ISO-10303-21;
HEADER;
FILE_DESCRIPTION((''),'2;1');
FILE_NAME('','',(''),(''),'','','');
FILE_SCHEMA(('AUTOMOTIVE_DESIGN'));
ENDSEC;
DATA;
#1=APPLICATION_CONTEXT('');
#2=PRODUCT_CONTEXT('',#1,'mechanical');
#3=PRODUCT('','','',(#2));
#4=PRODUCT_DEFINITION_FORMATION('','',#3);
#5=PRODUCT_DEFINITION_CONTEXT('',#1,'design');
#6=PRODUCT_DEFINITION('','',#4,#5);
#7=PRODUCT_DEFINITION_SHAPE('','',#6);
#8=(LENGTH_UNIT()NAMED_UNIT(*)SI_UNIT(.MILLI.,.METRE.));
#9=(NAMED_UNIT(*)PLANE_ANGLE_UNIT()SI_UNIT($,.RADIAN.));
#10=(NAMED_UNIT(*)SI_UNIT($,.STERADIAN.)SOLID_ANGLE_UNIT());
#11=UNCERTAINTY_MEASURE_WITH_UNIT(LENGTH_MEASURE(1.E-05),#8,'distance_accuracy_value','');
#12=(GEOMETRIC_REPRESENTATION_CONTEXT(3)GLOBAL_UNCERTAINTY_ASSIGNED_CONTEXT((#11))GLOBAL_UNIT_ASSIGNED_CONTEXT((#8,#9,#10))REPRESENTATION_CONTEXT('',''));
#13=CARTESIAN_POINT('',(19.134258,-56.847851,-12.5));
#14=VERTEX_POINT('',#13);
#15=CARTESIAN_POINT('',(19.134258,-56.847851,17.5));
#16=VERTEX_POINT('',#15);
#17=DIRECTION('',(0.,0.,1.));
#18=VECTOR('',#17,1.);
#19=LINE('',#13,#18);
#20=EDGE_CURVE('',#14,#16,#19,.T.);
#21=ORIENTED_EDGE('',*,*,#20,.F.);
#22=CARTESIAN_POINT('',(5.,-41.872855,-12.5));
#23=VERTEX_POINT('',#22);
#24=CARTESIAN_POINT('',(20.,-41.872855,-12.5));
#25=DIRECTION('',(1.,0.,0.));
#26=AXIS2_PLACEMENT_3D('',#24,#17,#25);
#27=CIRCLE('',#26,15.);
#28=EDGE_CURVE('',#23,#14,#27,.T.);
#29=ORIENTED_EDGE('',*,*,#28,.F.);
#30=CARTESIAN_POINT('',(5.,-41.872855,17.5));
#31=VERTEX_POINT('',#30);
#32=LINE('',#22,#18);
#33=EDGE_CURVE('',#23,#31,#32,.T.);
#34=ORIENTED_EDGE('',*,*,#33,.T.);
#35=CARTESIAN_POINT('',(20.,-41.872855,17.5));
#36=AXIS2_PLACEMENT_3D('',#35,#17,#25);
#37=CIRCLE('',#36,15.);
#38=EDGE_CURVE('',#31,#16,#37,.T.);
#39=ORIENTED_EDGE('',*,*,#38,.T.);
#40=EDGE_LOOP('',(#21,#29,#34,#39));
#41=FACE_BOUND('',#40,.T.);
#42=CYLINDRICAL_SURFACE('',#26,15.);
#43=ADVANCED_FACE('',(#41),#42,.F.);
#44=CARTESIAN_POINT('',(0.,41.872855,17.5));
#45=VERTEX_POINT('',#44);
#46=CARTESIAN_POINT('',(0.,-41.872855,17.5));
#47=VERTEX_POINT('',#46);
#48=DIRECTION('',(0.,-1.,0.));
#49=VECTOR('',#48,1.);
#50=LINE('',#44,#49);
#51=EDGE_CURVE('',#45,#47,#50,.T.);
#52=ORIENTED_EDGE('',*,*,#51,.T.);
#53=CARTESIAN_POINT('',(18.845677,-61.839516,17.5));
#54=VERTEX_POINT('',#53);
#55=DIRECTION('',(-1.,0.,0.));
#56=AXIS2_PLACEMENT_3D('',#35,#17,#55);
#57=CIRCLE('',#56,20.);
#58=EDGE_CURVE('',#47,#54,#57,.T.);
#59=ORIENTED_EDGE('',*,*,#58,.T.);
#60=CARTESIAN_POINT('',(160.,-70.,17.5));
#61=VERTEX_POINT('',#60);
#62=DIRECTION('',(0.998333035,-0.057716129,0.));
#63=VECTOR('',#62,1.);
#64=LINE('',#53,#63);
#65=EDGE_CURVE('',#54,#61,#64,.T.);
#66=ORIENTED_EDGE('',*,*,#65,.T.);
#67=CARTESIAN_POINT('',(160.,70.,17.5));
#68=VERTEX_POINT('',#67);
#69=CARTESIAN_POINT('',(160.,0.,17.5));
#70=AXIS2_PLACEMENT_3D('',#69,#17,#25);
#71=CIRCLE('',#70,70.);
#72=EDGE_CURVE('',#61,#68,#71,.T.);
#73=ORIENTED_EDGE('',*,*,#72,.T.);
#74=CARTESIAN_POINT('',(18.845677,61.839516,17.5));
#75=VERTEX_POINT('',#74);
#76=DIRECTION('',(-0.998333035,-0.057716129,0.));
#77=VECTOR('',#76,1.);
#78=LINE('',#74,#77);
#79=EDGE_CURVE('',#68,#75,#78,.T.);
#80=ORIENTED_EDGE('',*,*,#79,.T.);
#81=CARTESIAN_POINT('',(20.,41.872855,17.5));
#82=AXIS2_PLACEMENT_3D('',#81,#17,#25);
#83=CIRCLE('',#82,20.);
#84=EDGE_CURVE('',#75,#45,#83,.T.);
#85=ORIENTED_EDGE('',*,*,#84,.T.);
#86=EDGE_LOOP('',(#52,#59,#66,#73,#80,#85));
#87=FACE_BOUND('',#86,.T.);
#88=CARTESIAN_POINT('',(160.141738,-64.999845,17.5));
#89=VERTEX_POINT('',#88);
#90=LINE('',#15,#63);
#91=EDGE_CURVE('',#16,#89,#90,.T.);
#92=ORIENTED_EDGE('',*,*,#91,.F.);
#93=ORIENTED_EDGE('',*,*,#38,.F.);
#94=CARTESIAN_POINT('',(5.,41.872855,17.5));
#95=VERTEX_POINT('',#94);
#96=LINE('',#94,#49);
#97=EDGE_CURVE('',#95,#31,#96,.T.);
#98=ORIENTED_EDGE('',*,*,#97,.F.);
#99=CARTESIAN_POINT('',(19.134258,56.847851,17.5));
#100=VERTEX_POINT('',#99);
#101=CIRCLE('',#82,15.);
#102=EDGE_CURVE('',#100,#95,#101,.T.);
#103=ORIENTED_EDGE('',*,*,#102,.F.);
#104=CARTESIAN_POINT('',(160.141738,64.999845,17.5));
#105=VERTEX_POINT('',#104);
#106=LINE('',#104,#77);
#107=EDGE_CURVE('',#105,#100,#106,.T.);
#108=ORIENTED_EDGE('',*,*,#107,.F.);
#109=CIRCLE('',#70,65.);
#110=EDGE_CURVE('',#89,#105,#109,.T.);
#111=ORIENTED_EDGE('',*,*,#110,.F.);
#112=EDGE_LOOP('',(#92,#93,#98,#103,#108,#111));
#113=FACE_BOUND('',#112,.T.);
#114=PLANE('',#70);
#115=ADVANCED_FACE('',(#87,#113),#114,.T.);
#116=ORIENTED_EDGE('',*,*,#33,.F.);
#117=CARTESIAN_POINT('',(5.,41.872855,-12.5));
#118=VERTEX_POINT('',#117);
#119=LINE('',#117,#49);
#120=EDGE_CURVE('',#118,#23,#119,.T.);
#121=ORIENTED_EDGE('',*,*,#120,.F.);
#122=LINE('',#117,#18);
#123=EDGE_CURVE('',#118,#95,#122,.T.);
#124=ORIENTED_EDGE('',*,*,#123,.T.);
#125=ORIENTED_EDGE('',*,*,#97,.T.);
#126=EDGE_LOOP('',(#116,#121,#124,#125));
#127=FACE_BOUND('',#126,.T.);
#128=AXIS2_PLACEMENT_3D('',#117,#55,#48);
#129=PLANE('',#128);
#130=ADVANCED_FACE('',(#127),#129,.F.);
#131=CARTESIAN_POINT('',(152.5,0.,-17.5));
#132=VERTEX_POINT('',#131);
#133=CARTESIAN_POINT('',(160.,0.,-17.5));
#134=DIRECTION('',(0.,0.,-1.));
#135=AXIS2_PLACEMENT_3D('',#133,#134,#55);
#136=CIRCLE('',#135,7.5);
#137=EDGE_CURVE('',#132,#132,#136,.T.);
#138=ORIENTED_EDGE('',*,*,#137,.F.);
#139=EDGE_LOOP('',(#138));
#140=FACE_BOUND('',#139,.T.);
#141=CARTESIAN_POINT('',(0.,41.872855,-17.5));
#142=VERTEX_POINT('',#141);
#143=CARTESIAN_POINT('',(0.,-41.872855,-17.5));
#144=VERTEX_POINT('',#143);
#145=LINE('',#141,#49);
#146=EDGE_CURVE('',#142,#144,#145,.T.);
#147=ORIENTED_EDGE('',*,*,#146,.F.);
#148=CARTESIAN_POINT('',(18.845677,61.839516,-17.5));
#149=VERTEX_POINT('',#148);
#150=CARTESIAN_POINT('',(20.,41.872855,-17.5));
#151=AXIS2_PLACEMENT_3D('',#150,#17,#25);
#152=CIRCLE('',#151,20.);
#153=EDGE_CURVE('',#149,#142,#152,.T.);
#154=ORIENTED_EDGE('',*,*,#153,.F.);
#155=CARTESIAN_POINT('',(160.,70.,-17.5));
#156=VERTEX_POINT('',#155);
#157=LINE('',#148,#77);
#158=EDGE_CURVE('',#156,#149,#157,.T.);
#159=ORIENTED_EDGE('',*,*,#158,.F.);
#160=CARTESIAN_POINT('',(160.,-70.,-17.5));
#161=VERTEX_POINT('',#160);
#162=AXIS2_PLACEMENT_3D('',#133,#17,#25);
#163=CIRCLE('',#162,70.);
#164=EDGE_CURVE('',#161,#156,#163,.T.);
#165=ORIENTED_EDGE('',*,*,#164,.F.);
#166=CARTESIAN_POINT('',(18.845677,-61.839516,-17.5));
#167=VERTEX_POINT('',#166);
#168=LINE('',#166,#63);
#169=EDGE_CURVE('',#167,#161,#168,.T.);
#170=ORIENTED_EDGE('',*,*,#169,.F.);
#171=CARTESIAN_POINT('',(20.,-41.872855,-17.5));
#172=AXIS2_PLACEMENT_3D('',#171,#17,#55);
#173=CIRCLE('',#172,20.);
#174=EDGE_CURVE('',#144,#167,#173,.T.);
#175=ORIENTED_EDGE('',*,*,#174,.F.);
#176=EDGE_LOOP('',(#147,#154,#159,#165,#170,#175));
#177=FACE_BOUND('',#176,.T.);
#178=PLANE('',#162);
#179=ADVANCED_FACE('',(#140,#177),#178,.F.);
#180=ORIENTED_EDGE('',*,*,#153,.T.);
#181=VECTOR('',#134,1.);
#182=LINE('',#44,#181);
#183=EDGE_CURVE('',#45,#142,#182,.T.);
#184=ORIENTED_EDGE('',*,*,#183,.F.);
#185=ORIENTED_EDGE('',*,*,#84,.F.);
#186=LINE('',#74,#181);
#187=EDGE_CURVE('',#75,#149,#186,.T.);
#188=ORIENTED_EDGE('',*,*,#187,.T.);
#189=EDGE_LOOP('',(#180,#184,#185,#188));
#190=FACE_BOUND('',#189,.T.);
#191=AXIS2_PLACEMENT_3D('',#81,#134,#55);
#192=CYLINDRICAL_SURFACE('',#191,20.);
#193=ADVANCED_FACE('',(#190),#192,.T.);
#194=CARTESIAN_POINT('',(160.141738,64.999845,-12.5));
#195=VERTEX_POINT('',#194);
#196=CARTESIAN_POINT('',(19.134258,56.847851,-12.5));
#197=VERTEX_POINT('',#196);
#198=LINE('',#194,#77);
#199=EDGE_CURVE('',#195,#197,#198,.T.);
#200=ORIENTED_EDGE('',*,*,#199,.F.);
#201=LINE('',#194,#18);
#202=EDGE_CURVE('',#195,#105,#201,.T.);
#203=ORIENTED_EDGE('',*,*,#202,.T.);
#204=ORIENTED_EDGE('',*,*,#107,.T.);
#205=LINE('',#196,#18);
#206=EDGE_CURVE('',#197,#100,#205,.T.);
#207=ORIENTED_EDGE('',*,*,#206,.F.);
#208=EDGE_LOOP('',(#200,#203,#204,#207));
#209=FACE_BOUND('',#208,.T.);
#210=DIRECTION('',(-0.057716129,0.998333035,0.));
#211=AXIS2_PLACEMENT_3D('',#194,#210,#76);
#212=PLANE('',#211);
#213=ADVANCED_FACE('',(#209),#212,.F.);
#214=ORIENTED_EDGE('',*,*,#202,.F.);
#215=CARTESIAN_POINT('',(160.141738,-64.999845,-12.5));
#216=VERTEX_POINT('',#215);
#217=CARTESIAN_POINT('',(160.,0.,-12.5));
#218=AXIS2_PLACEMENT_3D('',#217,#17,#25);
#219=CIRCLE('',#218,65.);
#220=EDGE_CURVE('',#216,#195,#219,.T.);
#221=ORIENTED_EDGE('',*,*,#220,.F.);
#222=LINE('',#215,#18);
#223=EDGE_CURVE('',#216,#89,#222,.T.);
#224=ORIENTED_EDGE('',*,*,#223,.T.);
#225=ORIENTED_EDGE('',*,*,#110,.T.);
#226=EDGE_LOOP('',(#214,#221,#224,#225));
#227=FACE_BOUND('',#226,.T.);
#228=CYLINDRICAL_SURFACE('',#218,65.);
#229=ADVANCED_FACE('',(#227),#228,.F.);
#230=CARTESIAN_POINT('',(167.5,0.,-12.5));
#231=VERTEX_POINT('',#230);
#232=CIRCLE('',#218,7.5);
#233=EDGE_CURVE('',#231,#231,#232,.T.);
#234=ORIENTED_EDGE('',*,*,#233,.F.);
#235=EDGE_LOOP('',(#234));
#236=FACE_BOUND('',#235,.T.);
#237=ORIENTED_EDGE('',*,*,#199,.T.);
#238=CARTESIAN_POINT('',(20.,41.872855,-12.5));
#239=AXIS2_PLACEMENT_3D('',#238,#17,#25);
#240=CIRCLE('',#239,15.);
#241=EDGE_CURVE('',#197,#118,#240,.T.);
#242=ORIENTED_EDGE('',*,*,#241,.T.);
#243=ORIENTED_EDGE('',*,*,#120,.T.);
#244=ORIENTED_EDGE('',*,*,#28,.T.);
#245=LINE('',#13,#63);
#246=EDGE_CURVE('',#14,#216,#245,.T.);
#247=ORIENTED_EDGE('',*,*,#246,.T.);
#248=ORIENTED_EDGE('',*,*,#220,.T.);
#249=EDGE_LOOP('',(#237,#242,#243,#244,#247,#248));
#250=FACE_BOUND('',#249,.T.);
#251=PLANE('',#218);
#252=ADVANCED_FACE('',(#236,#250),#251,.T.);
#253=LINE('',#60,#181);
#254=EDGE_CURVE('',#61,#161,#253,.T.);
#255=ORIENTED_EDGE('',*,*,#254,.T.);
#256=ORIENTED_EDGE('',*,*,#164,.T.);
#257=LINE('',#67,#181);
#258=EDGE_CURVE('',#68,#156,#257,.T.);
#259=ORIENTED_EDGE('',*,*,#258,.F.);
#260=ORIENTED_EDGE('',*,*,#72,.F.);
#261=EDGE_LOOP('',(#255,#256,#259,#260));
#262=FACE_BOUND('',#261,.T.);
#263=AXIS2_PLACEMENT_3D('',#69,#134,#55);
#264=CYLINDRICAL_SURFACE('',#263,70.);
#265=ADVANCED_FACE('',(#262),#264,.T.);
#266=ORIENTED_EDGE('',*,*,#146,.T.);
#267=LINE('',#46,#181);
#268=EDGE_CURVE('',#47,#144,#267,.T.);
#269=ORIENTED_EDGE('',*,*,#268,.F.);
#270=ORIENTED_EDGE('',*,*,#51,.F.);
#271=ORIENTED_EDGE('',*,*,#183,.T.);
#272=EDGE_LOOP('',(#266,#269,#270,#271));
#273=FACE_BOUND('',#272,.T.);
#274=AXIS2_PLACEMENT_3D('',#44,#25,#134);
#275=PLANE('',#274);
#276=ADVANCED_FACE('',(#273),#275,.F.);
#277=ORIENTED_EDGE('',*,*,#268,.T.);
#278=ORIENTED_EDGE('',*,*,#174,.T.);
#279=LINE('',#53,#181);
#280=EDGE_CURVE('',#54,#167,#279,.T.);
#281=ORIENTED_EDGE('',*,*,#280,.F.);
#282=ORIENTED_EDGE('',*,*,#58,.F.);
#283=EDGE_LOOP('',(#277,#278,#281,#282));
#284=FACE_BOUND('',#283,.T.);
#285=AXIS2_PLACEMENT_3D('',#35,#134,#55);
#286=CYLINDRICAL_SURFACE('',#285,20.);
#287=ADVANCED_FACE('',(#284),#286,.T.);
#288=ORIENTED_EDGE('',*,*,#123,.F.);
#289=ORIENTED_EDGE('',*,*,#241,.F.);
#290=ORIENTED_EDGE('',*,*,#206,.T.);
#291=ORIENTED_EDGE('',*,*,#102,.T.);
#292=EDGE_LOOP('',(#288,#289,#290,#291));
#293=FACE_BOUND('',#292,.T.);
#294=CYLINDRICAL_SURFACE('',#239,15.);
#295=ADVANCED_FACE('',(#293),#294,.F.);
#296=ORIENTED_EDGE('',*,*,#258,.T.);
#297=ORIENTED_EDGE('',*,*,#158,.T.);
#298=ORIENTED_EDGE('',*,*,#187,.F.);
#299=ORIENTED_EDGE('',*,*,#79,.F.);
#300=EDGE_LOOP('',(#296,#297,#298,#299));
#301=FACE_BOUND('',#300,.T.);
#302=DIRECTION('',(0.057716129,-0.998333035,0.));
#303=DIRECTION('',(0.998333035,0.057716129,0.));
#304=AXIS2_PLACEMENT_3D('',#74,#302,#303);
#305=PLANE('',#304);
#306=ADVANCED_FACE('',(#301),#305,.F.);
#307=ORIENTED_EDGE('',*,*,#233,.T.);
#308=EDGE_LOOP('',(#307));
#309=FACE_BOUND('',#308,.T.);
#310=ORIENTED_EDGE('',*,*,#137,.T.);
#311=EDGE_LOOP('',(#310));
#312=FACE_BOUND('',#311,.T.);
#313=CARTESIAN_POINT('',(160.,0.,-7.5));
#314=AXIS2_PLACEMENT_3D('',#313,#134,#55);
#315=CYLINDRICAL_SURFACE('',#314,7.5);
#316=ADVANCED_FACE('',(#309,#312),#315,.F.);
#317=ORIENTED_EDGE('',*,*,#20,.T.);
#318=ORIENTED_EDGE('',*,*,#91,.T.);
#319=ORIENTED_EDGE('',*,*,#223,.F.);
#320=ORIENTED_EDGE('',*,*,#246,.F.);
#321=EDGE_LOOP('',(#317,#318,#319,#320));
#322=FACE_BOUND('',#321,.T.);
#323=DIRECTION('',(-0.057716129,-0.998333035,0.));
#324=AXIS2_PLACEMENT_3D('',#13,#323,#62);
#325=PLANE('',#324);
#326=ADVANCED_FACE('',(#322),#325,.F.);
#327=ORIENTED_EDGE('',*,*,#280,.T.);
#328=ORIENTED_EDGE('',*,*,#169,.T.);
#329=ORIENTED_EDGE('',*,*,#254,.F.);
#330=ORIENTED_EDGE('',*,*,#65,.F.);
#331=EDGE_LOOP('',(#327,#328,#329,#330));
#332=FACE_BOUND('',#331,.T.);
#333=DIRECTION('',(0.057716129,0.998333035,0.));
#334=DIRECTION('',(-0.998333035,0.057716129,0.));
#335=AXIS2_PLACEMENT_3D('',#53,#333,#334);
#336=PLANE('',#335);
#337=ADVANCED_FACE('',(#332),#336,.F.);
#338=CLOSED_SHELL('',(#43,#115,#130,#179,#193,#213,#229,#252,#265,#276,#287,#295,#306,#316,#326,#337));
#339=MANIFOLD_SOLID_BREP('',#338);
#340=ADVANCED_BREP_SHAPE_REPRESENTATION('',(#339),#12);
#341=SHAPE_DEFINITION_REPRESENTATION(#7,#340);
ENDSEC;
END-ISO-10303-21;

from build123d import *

# Parameters (mm, degrees)
BOSS_EXTRUDE1_DEPTH = 17.5
CUT_EXTRUDE1_DEPTH  = 30
SKETCH6_R           = 7.5
CUT_EXTRUDE2_DEPTH  = 10


with BuildPart() as part:
    # Sketch4 → Boss-Extrude1 (new, symmetric)
    with BuildSketch(Plane.XY):
        with BuildLine():
            Line((0, 41.872855029), (0, -41.872855029))
            ThreePointArc((0, -41.872855029), (5.455474373, -55.600810969), (18.845677428, -61.839515726))
            Line((18.845677428, -61.839515726), (160, -70))
            ThreePointArc((160, -70), (230, 0), (160, 70))
            Line((160, 70), (18.845677428, 61.839515726))
            ThreePointArc((18.845677428, 61.839515726), (5.455474373, 55.600810969), (0, 41.872855029))
        make_face()
    extrude(amount=BOSS_EXTRUDE1_DEPTH, both=True)

    # Sketch5 → Cut-Extrude1 (cut)
    with BuildSketch(Plane.XY.offset(17.5)):
        with BuildLine():
            Line((160.141737643, 64.999845465), (19.134258071, 56.847850552))
            ThreePointArc((19.134258071, 56.847850552), (9.09160578, 52.168821984), (5, 41.872855029))
            Line((5, 41.872855029), (5, -41.872855029))
            ThreePointArc((5, -41.872855029), (9.09160578, -52.168821984), (19.134258071, -56.847850552))
            Line((19.134258071, -56.847850552), (160.141737643, -64.999845465))
            ThreePointArc((160.141737643, -64.999845465), (225, 0), (160.141737643, 64.999845465))
        make_face()
    extrude(amount=-CUT_EXTRUDE1_DEPTH, mode=Mode.SUBTRACT)

    # Sketch6 → Cut-Extrude2 (cut)
    with BuildSketch(Plane(origin=(0, 0, -17.5), x_dir=(-1, 0, 0), z_dir=(0, 0, -1))):
        with Locations((-160, 0)):
            Circle(SKETCH6_R)
    extrude(amount=-CUT_EXTRUDE2_DEPTH, mode=Mode.SUBTRACT)


solid = part.part
